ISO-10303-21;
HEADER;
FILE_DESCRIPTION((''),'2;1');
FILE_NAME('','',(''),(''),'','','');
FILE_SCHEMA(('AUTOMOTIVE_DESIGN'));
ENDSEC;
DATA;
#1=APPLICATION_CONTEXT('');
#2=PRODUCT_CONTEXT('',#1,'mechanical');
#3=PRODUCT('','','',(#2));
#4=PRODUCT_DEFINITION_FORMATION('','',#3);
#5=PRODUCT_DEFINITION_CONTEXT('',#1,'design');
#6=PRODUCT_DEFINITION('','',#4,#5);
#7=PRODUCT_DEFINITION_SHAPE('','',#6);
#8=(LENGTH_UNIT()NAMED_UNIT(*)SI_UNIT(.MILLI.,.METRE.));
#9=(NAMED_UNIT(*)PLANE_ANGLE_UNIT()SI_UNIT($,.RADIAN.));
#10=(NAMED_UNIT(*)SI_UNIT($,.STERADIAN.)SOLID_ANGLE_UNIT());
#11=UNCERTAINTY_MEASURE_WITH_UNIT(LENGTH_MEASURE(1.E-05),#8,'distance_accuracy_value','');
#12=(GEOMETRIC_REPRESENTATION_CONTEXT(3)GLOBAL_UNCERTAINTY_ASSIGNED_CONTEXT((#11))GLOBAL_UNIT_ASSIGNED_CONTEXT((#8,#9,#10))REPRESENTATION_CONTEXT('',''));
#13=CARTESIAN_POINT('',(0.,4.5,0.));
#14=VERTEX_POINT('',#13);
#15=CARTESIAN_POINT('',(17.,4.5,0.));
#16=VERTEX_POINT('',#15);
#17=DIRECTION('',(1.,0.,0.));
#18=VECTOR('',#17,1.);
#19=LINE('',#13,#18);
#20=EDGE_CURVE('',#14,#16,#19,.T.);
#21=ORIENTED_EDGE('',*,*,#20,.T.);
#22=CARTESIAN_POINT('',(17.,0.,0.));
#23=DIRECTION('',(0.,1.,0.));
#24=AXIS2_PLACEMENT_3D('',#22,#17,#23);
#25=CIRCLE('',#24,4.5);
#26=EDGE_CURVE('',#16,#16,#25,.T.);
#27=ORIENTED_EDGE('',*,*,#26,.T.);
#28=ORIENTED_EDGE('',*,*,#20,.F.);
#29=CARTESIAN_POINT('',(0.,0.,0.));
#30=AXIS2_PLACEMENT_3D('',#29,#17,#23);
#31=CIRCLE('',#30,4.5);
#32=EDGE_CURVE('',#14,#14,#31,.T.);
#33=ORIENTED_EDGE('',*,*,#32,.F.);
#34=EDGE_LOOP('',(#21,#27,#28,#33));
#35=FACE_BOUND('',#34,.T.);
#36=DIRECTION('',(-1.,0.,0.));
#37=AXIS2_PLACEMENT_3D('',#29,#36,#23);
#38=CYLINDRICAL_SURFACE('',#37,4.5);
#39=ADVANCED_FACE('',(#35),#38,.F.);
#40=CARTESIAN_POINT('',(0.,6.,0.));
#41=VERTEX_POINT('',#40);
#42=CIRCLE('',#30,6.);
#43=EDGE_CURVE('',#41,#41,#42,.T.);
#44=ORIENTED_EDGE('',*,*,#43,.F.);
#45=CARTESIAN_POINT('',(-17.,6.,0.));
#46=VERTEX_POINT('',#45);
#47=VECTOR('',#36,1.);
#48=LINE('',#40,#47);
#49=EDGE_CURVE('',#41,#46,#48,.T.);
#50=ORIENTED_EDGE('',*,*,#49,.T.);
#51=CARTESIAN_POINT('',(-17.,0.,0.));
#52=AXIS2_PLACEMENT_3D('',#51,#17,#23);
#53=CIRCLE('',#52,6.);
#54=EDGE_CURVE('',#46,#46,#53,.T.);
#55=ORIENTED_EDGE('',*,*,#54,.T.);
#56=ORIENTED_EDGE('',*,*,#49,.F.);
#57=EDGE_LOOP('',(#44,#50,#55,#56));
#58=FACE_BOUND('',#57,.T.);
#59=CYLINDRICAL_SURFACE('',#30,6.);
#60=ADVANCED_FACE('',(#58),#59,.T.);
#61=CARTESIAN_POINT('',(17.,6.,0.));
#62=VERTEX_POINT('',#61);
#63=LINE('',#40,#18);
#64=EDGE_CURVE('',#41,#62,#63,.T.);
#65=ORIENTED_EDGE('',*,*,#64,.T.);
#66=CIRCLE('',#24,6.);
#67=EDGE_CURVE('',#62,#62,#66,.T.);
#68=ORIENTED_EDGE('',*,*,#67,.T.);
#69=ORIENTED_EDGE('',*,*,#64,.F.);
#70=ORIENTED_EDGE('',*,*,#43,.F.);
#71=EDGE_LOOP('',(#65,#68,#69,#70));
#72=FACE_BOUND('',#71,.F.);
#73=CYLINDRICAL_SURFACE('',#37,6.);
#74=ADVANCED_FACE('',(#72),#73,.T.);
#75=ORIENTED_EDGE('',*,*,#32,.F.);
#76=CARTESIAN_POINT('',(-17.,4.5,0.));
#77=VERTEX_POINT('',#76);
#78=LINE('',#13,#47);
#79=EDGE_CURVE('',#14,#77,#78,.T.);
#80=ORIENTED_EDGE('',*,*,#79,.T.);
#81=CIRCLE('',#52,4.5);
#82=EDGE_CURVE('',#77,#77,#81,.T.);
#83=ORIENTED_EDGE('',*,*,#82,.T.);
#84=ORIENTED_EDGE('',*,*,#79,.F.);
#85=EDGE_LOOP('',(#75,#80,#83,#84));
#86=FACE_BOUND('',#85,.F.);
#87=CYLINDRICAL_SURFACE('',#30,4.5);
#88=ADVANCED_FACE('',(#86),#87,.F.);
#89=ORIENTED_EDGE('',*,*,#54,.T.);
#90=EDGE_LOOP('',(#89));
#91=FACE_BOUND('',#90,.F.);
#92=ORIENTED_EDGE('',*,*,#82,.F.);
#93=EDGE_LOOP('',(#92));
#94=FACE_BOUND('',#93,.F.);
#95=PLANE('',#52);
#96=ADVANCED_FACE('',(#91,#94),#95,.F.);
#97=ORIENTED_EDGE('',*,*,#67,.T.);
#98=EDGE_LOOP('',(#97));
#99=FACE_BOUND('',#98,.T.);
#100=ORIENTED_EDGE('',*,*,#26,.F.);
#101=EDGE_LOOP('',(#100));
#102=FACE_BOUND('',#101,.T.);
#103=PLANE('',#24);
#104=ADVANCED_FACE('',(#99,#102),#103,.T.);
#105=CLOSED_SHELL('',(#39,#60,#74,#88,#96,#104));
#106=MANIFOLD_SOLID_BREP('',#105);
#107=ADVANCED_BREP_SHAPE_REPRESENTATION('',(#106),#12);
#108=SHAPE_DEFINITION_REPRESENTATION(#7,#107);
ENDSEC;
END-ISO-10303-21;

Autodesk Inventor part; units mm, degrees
ref_plane "YZ Plane" through (0, 0, 0) normal (1, 0, 0) x (0, 1, 0)
ref_plane "XZ Plane" through (0, 0, 0) normal (0, 1, 0) x (-1, 0, 0)
ref_plane "XY Plane" through (0, 0, 0) normal (0, 0, 1) x (1, 0, 0)
sketch "スケッチ1" plane through (0, 0, 0) normal (1, 0, 0) x (0, 1, 0)
  circle A0 centre (0, 0) radius 6
  circle A1 centre (0, 0) radius 4.5
  dimension "d0" = 9
  dimension "d1" = 12
extrude "押し出し1" add sketch "スケッチ1" along normal mid plane 34
properties part number "tube"
